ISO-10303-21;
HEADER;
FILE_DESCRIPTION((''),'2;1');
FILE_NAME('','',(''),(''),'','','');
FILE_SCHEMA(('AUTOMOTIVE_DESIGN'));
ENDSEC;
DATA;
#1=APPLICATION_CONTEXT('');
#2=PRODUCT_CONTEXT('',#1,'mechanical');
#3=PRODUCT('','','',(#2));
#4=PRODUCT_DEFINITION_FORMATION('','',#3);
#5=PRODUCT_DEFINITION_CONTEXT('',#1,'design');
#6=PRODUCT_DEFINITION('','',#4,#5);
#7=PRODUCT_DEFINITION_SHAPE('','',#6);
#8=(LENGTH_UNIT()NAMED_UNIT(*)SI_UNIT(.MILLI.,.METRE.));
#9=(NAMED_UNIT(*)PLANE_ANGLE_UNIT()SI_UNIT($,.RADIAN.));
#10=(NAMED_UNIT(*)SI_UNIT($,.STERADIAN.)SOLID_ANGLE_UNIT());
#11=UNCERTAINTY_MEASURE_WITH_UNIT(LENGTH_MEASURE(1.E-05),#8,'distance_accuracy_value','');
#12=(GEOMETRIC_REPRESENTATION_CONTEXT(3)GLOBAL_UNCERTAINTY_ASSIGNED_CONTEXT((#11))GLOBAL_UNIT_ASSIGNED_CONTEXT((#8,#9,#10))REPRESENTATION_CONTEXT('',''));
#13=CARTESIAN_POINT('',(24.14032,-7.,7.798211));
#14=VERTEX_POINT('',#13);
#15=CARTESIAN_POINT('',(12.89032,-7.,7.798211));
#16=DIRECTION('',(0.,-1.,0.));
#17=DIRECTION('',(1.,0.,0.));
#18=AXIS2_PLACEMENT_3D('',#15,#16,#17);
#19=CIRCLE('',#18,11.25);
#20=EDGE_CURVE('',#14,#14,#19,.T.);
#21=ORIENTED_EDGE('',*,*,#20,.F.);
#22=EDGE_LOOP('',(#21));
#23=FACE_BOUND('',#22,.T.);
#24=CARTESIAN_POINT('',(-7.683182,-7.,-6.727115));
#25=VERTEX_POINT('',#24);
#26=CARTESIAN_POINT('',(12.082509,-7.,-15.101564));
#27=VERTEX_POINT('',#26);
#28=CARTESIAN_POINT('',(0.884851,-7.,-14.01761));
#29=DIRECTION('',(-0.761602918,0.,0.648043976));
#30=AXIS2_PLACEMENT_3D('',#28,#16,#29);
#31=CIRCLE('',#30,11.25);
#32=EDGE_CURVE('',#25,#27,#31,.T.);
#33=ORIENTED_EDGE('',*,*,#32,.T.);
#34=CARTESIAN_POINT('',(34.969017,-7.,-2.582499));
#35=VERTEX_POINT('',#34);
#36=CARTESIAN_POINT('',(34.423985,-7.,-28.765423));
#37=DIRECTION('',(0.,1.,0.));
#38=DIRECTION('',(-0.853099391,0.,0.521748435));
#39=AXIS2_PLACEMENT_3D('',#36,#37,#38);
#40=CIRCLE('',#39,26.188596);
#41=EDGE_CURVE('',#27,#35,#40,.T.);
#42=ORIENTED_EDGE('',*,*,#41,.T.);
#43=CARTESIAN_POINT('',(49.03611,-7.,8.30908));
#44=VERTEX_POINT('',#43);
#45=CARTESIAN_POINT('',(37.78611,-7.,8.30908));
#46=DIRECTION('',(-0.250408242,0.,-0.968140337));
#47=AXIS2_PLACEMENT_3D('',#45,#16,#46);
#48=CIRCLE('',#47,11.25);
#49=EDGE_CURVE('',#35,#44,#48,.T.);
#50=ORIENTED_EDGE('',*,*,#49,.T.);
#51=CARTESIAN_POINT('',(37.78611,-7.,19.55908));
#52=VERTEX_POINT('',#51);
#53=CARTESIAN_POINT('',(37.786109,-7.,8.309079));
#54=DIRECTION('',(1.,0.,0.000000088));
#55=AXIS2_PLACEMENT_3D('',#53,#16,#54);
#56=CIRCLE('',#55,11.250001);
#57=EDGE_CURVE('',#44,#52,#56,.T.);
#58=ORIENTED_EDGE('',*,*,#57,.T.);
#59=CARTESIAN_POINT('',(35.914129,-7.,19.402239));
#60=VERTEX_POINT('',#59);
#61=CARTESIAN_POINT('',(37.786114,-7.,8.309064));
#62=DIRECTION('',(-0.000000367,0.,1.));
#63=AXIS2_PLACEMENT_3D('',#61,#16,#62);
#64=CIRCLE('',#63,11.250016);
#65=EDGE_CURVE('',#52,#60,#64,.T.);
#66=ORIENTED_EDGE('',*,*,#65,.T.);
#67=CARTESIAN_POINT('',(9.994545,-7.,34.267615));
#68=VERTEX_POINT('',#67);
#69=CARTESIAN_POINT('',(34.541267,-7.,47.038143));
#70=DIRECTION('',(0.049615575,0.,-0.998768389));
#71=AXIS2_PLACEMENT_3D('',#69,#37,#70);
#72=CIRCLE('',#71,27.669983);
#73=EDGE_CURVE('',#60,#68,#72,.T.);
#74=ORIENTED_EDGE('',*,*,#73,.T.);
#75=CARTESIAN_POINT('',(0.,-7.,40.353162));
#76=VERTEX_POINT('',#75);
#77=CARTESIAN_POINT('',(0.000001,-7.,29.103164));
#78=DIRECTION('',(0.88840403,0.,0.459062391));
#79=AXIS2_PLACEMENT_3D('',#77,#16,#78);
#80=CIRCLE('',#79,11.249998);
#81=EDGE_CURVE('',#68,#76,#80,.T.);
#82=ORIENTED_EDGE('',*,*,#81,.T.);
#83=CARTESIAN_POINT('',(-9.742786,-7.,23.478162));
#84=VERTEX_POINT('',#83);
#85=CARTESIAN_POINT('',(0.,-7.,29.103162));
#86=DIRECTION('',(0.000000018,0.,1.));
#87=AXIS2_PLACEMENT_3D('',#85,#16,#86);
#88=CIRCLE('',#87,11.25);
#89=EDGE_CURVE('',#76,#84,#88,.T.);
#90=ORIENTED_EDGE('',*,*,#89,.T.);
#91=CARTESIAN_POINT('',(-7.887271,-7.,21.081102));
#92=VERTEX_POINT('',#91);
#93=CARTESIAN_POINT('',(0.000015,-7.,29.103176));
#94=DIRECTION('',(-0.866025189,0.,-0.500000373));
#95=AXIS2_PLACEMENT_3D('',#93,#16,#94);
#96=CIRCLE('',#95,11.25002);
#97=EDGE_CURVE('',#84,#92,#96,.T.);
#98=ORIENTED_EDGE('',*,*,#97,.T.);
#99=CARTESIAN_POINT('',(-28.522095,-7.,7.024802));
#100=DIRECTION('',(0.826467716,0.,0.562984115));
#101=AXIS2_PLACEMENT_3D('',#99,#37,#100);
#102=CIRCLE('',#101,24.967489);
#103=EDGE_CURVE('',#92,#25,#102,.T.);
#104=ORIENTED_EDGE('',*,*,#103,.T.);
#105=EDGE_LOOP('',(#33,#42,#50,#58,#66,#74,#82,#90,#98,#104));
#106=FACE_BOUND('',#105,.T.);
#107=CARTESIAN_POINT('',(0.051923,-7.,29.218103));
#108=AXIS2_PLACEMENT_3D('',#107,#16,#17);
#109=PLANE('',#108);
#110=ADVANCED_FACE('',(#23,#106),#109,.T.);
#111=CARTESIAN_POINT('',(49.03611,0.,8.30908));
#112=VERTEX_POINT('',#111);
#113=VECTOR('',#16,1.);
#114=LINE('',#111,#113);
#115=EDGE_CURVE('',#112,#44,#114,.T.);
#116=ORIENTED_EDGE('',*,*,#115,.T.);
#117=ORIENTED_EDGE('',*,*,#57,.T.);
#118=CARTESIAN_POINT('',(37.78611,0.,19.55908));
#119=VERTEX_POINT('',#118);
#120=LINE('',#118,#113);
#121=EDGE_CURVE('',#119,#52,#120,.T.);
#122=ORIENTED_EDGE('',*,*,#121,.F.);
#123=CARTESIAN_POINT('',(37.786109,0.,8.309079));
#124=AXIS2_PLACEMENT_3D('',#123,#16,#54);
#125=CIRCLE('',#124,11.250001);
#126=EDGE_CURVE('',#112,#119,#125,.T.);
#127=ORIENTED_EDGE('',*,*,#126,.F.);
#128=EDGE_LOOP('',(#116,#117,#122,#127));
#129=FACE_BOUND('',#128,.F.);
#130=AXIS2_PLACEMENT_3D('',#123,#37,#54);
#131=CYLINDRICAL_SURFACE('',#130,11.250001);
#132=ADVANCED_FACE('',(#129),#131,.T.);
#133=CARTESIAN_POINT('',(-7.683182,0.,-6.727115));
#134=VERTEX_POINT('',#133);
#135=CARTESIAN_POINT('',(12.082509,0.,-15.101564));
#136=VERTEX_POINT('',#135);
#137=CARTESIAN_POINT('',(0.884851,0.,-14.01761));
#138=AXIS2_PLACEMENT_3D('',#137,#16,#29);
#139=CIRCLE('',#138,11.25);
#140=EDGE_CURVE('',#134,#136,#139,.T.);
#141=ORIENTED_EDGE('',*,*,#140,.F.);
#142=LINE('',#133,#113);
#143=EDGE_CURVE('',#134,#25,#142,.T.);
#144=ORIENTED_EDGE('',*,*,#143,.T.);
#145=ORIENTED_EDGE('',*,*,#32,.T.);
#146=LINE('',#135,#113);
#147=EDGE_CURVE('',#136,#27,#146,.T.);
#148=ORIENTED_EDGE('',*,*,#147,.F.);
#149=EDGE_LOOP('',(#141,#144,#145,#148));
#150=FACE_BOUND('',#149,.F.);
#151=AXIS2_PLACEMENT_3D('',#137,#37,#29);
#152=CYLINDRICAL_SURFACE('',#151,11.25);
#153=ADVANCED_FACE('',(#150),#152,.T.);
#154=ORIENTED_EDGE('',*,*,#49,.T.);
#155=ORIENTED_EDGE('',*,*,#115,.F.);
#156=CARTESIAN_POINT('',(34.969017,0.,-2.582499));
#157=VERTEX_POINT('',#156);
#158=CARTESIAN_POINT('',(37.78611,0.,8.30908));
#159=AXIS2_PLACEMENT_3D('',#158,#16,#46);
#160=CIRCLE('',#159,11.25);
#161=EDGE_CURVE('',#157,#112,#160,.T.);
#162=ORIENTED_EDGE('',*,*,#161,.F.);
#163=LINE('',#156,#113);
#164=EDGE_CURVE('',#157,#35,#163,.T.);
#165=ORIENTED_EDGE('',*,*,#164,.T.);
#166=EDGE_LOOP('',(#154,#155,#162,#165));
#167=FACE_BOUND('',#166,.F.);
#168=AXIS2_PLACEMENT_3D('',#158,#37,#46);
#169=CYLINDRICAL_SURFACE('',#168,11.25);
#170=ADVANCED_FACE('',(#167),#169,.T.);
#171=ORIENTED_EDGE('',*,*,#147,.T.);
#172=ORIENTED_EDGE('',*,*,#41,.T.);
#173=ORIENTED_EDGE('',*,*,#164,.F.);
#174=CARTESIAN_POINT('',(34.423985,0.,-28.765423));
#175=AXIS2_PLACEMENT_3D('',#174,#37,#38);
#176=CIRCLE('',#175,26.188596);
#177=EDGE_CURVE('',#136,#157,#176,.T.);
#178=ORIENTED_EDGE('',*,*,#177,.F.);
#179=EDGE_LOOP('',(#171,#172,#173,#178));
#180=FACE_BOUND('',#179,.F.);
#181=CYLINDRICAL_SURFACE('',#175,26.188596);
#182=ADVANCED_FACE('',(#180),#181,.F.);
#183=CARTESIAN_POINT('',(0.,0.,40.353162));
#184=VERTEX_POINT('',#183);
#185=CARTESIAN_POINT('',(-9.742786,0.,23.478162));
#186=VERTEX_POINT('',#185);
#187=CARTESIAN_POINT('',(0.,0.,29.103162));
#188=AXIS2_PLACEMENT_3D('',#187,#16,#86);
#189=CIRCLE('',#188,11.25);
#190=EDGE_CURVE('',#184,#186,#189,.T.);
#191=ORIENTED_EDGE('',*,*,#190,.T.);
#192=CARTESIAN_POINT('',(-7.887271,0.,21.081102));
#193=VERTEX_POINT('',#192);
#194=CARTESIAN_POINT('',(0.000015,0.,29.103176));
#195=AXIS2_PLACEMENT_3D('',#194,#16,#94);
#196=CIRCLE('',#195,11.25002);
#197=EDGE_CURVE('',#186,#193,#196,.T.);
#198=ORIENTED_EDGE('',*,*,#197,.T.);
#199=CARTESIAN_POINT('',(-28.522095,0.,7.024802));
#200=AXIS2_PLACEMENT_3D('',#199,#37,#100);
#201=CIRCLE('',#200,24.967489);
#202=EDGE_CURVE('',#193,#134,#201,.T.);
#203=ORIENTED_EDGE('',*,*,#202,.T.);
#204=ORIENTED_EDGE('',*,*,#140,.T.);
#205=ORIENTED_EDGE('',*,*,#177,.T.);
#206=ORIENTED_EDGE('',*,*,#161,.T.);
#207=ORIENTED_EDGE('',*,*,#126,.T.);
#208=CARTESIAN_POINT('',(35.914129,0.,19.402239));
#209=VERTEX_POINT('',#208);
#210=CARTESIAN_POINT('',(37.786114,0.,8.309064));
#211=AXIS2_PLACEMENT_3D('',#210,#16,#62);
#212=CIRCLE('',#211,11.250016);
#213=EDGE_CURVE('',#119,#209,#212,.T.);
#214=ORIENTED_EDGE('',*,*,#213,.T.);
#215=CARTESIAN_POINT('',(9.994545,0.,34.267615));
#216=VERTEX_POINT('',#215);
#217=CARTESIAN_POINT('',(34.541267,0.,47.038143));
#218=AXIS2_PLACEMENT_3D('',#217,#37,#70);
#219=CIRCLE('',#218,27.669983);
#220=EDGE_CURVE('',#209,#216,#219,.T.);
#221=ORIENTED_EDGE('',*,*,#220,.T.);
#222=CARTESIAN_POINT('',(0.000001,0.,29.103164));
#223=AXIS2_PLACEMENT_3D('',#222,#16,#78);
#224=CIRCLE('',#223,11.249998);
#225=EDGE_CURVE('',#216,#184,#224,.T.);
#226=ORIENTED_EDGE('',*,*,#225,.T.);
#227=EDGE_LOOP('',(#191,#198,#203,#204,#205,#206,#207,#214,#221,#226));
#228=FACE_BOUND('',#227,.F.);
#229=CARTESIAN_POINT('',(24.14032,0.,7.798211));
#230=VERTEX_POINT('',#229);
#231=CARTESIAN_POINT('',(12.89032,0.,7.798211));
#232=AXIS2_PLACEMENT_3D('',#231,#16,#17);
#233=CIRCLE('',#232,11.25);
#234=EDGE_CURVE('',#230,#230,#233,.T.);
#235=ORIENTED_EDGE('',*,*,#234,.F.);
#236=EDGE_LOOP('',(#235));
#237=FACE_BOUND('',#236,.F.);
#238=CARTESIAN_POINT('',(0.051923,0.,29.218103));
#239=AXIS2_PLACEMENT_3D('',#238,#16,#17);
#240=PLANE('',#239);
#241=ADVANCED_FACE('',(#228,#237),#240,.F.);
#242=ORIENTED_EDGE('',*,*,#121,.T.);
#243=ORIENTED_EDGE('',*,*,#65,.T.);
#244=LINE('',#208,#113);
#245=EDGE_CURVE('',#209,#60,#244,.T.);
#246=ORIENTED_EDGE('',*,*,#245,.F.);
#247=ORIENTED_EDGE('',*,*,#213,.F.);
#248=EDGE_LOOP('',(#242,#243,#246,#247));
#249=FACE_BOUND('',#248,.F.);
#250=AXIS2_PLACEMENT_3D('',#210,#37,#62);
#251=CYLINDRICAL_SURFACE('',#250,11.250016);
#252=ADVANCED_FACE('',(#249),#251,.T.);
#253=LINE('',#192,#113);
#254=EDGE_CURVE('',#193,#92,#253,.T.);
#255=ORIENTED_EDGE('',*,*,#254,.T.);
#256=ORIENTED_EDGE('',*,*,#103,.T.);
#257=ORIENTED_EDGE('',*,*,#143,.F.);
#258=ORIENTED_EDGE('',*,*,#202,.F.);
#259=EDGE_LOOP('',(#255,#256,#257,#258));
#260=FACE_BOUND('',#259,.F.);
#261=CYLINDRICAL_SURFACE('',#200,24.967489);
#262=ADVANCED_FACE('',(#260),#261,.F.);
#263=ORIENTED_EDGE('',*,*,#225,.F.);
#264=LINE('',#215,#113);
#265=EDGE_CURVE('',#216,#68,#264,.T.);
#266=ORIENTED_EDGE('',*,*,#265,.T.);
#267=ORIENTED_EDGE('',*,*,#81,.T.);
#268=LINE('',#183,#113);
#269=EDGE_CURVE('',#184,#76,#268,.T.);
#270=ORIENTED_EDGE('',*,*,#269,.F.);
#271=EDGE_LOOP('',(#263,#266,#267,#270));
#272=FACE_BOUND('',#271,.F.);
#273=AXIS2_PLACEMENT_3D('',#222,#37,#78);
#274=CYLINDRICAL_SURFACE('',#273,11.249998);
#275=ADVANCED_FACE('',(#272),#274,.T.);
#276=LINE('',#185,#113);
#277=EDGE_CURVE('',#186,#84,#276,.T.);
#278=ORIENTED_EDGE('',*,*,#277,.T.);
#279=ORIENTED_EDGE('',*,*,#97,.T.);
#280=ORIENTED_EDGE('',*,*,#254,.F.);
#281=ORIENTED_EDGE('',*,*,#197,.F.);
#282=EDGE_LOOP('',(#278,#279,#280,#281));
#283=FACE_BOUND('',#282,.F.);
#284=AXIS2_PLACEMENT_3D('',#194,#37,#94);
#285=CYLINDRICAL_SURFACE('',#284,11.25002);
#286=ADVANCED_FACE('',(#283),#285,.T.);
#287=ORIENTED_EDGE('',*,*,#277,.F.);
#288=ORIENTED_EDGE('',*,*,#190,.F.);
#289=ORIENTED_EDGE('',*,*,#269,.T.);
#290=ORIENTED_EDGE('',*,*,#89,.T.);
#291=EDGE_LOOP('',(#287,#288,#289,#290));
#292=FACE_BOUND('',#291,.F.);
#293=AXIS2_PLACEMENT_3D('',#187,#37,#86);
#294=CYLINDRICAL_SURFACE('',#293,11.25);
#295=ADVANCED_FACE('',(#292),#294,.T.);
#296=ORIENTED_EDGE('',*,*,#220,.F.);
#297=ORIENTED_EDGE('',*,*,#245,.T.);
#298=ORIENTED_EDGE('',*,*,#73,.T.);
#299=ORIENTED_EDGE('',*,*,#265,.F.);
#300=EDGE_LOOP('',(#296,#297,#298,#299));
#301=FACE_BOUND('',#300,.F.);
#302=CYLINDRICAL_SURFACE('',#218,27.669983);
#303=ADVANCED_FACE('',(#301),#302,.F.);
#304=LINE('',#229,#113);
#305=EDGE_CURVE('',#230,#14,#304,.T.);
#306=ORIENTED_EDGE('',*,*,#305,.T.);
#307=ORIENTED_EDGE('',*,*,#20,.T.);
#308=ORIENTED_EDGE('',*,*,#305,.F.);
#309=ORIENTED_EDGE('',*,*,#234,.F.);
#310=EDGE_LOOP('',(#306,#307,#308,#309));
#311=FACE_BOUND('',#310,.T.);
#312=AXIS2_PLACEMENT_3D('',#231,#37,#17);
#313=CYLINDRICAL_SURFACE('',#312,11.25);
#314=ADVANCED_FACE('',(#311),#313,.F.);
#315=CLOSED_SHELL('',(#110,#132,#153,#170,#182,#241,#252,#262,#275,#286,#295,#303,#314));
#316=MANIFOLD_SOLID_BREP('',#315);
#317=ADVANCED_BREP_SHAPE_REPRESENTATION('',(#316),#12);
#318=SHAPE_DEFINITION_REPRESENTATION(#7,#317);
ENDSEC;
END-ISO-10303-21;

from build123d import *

# Parameters (mm, degrees)
F0_R     = 11.25
F1_DEPTH = 7


with BuildPart() as f1:
    # F0 (on Front) → F1 (new body)
    with BuildSketch(Plane.XZ):
        with BuildLine():
            ThreePointArc((-7.887271, 21.081102), (4.349178, 18.727848), (11.25, 29.103162))
            ThreePointArc((11.25, 29.103162), (10.931631, 31.760592), (9.994545, 34.267615))
            ThreePointArc((9.994545, 34.267615), (5.850744, 38.71208), (0, 40.353162))
            ThreePointArc((0, 40.353162), (-9.742786, 34.728162), (-9.742786, 23.478162))
            ThreePointArc((-9.742786, 23.478162), (-8.778616, 22.307818), (-7.887271, 21.081102))
        make_face()
        with BuildLine():
            ThreePointArc((9.994545, 34.267615), (10.931631, 31.760592), (11.25, 29.103162))
            ThreePointArc((11.25, 29.103162), (4.349178, 18.727848), (-7.887271, 21.081102))
            ThreePointArc((-7.887271, 21.081102), (-3.555278, 7.208038), (-7.683182, -6.727115))
            ThreePointArc((-7.683182, -6.727115), (4.76893, -3.45937), (12.134851, -14.01761))
            ThreePointArc((12.134851, -14.01761), (12.121758, -14.560218), (12.082509, -15.101564))
            ThreePointArc((12.082509, -15.101564), (21.85605, -5.789575), (34.969017, -2.582499))
            ThreePointArc((34.969017, -2.582499), (26.546491, 8.792265), (35.914129, 19.402239))
            ThreePointArc((35.914129, 19.402239), (20.775302, 23.035515), (9.994545, 34.267615))
        make_face()
        with Locations((12.89032, 7.798211)):
            Circle(F0_R, mode=Mode.SUBTRACT)
        with BuildLine():
            ThreePointArc((-9.742786, 23.478162), (-8.896134, 22.21685), (-7.887271, 21.081102))
            ThreePointArc((-7.887271, 21.081102), (-8.778616, 22.307818), (-9.742786, 23.478162))
        make_face()
        with BuildLine():
            ThreePointArc((37.78611, 19.55908), (36.851451, 19.464768), (35.914129, 19.402239))
            ThreePointArc((35.914129, 19.402239), (26.546491, 8.792265), (34.969017, -2.582499))
            ThreePointArc((34.969017, -2.582499), (44.673425, -0.586278), (49.03611, 8.30908))
            ThreePointArc((49.03611, 8.30908), (45.741061, 16.264031), (37.78611, 19.55908))
        make_face()
        with BuildLine():
            ThreePointArc((37.78611, 19.55908), (36.84684, 19.519801), (35.914129, 19.402239))
            ThreePointArc((35.914129, 19.402239), (36.851451, 19.464768), (37.78611, 19.55908))
        make_face()
        with BuildLine():
            ThreePointArc((12.134851, -14.01761), (4.76893, -3.45937), (-7.683182, -6.727115))
            ThreePointArc((-7.683182, -6.727115), (-3.50395, -24.376226), (12.082509, -15.101564))
            ThreePointArc((12.082509, -15.101564), (12.121758, -14.560218), (12.134851, -14.01761))
        make_face()
    extrude(amount=F1_DEPTH)


solid = f1.part
